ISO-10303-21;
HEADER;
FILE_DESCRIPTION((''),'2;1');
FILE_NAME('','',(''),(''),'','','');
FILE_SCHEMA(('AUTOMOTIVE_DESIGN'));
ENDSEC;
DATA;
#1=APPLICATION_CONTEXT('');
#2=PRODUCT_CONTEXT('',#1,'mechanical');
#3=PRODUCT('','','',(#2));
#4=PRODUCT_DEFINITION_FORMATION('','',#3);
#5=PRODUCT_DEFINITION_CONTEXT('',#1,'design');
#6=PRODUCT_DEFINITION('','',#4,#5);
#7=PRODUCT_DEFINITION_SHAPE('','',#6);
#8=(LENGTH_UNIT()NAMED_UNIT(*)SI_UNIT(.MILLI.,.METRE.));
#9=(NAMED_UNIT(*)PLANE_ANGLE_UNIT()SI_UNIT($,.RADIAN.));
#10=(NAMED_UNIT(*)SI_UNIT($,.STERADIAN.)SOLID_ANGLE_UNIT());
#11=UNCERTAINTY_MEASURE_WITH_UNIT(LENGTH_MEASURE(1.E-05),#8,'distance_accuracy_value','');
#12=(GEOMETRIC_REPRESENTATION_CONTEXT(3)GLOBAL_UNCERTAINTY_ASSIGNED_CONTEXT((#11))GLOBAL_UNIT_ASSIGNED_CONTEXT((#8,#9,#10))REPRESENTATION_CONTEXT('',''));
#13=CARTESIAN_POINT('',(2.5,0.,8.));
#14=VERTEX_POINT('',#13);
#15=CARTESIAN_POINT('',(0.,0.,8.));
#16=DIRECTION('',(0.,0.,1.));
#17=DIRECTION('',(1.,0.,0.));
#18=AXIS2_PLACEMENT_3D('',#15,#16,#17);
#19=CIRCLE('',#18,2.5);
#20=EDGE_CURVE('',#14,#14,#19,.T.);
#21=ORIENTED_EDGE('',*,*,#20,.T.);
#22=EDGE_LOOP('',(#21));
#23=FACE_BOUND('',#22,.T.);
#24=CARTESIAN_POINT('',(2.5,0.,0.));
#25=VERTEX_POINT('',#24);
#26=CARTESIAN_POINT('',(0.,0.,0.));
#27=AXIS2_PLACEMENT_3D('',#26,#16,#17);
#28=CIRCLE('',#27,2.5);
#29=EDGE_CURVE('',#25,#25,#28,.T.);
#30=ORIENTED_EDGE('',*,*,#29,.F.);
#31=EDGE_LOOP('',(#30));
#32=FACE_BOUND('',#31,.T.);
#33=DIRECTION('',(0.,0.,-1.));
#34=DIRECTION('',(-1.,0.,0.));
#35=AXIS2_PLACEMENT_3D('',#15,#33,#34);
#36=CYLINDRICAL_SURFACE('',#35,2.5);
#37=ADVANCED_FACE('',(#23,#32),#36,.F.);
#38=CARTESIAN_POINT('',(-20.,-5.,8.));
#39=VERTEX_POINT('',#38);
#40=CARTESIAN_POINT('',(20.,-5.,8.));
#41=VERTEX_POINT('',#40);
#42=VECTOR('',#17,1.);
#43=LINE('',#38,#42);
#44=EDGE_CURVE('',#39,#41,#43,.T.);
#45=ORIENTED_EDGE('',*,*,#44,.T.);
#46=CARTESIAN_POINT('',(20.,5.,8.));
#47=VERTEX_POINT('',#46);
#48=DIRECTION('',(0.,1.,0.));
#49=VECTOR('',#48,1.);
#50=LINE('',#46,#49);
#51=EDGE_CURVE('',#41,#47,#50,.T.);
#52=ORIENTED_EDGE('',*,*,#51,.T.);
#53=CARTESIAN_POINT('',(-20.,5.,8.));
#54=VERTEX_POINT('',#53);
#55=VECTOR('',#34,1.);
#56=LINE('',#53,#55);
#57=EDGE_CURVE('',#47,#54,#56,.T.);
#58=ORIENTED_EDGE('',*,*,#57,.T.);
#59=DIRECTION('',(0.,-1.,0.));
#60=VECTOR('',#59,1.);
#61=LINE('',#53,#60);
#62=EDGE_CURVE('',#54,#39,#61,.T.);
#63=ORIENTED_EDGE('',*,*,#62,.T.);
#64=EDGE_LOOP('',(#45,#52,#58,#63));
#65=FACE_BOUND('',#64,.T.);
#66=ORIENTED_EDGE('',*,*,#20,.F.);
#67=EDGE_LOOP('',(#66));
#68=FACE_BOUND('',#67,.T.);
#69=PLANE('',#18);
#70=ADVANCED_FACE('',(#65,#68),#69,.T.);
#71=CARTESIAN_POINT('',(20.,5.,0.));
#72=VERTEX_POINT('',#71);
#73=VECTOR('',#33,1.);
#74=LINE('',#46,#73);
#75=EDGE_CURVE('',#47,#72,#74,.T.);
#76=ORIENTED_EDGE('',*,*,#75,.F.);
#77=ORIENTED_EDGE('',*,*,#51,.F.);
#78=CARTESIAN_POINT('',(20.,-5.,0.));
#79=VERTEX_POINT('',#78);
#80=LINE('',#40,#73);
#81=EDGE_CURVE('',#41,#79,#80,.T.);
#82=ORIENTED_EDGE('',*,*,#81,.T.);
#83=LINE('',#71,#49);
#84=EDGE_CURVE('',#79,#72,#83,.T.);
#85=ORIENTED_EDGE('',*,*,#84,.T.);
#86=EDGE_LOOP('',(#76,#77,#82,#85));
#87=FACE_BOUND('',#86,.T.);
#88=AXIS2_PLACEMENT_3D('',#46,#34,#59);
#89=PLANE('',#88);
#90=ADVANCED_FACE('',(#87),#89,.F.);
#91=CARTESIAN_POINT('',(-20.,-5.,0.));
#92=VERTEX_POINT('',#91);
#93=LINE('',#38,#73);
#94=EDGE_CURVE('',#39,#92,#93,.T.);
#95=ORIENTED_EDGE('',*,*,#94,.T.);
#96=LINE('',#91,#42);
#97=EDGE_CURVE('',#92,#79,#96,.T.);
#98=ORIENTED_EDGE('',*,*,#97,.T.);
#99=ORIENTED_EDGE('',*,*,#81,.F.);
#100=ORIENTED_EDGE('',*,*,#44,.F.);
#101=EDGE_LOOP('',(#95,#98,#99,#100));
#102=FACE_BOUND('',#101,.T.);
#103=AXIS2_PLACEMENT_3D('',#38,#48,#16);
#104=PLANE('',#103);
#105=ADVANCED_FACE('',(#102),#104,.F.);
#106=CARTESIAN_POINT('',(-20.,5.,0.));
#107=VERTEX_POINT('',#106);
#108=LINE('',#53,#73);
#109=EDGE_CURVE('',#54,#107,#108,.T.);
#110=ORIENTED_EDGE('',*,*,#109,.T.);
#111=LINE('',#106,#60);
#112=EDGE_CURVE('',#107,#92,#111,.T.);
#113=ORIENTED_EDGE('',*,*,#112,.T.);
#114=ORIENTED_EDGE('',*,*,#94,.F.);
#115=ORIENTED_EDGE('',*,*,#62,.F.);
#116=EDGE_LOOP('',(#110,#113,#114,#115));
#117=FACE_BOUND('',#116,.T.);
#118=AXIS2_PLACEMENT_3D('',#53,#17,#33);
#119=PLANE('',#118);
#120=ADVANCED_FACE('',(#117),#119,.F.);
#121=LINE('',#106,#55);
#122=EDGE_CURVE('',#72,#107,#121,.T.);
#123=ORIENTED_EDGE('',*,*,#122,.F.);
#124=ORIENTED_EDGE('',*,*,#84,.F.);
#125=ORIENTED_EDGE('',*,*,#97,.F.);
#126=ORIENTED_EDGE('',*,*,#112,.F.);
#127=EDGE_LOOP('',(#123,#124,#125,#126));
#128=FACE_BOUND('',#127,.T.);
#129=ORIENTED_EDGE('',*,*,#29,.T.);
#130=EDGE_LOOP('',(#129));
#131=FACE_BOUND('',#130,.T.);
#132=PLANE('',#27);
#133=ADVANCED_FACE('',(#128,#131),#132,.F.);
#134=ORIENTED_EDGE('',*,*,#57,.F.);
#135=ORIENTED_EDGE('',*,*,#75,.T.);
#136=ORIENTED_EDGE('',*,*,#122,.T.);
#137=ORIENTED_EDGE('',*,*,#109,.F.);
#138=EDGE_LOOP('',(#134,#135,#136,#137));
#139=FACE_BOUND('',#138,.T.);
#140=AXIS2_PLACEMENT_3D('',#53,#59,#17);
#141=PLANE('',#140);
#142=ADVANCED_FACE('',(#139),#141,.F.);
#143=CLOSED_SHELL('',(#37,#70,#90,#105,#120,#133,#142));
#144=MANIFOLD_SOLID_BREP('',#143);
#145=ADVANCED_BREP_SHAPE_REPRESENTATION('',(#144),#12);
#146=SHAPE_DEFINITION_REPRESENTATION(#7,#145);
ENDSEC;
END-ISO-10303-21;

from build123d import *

# Parameters (mm, degrees)
SKETCH1_W           = 40
SKETCH1_H           = 10
SKETCH1_R           = 2.5
BOSS_EXTRUDE1_DEPTH = 8


with BuildPart() as part:
    # Sketch1 → Boss-Extrude1 (new body)
    with BuildSketch(Plane.XY):
        Rectangle(SKETCH1_W, SKETCH1_H)
        Circle(SKETCH1_R, mode=Mode.SUBTRACT)
    extrude(amount=BOSS_EXTRUDE1_DEPTH)


solid = part.part
